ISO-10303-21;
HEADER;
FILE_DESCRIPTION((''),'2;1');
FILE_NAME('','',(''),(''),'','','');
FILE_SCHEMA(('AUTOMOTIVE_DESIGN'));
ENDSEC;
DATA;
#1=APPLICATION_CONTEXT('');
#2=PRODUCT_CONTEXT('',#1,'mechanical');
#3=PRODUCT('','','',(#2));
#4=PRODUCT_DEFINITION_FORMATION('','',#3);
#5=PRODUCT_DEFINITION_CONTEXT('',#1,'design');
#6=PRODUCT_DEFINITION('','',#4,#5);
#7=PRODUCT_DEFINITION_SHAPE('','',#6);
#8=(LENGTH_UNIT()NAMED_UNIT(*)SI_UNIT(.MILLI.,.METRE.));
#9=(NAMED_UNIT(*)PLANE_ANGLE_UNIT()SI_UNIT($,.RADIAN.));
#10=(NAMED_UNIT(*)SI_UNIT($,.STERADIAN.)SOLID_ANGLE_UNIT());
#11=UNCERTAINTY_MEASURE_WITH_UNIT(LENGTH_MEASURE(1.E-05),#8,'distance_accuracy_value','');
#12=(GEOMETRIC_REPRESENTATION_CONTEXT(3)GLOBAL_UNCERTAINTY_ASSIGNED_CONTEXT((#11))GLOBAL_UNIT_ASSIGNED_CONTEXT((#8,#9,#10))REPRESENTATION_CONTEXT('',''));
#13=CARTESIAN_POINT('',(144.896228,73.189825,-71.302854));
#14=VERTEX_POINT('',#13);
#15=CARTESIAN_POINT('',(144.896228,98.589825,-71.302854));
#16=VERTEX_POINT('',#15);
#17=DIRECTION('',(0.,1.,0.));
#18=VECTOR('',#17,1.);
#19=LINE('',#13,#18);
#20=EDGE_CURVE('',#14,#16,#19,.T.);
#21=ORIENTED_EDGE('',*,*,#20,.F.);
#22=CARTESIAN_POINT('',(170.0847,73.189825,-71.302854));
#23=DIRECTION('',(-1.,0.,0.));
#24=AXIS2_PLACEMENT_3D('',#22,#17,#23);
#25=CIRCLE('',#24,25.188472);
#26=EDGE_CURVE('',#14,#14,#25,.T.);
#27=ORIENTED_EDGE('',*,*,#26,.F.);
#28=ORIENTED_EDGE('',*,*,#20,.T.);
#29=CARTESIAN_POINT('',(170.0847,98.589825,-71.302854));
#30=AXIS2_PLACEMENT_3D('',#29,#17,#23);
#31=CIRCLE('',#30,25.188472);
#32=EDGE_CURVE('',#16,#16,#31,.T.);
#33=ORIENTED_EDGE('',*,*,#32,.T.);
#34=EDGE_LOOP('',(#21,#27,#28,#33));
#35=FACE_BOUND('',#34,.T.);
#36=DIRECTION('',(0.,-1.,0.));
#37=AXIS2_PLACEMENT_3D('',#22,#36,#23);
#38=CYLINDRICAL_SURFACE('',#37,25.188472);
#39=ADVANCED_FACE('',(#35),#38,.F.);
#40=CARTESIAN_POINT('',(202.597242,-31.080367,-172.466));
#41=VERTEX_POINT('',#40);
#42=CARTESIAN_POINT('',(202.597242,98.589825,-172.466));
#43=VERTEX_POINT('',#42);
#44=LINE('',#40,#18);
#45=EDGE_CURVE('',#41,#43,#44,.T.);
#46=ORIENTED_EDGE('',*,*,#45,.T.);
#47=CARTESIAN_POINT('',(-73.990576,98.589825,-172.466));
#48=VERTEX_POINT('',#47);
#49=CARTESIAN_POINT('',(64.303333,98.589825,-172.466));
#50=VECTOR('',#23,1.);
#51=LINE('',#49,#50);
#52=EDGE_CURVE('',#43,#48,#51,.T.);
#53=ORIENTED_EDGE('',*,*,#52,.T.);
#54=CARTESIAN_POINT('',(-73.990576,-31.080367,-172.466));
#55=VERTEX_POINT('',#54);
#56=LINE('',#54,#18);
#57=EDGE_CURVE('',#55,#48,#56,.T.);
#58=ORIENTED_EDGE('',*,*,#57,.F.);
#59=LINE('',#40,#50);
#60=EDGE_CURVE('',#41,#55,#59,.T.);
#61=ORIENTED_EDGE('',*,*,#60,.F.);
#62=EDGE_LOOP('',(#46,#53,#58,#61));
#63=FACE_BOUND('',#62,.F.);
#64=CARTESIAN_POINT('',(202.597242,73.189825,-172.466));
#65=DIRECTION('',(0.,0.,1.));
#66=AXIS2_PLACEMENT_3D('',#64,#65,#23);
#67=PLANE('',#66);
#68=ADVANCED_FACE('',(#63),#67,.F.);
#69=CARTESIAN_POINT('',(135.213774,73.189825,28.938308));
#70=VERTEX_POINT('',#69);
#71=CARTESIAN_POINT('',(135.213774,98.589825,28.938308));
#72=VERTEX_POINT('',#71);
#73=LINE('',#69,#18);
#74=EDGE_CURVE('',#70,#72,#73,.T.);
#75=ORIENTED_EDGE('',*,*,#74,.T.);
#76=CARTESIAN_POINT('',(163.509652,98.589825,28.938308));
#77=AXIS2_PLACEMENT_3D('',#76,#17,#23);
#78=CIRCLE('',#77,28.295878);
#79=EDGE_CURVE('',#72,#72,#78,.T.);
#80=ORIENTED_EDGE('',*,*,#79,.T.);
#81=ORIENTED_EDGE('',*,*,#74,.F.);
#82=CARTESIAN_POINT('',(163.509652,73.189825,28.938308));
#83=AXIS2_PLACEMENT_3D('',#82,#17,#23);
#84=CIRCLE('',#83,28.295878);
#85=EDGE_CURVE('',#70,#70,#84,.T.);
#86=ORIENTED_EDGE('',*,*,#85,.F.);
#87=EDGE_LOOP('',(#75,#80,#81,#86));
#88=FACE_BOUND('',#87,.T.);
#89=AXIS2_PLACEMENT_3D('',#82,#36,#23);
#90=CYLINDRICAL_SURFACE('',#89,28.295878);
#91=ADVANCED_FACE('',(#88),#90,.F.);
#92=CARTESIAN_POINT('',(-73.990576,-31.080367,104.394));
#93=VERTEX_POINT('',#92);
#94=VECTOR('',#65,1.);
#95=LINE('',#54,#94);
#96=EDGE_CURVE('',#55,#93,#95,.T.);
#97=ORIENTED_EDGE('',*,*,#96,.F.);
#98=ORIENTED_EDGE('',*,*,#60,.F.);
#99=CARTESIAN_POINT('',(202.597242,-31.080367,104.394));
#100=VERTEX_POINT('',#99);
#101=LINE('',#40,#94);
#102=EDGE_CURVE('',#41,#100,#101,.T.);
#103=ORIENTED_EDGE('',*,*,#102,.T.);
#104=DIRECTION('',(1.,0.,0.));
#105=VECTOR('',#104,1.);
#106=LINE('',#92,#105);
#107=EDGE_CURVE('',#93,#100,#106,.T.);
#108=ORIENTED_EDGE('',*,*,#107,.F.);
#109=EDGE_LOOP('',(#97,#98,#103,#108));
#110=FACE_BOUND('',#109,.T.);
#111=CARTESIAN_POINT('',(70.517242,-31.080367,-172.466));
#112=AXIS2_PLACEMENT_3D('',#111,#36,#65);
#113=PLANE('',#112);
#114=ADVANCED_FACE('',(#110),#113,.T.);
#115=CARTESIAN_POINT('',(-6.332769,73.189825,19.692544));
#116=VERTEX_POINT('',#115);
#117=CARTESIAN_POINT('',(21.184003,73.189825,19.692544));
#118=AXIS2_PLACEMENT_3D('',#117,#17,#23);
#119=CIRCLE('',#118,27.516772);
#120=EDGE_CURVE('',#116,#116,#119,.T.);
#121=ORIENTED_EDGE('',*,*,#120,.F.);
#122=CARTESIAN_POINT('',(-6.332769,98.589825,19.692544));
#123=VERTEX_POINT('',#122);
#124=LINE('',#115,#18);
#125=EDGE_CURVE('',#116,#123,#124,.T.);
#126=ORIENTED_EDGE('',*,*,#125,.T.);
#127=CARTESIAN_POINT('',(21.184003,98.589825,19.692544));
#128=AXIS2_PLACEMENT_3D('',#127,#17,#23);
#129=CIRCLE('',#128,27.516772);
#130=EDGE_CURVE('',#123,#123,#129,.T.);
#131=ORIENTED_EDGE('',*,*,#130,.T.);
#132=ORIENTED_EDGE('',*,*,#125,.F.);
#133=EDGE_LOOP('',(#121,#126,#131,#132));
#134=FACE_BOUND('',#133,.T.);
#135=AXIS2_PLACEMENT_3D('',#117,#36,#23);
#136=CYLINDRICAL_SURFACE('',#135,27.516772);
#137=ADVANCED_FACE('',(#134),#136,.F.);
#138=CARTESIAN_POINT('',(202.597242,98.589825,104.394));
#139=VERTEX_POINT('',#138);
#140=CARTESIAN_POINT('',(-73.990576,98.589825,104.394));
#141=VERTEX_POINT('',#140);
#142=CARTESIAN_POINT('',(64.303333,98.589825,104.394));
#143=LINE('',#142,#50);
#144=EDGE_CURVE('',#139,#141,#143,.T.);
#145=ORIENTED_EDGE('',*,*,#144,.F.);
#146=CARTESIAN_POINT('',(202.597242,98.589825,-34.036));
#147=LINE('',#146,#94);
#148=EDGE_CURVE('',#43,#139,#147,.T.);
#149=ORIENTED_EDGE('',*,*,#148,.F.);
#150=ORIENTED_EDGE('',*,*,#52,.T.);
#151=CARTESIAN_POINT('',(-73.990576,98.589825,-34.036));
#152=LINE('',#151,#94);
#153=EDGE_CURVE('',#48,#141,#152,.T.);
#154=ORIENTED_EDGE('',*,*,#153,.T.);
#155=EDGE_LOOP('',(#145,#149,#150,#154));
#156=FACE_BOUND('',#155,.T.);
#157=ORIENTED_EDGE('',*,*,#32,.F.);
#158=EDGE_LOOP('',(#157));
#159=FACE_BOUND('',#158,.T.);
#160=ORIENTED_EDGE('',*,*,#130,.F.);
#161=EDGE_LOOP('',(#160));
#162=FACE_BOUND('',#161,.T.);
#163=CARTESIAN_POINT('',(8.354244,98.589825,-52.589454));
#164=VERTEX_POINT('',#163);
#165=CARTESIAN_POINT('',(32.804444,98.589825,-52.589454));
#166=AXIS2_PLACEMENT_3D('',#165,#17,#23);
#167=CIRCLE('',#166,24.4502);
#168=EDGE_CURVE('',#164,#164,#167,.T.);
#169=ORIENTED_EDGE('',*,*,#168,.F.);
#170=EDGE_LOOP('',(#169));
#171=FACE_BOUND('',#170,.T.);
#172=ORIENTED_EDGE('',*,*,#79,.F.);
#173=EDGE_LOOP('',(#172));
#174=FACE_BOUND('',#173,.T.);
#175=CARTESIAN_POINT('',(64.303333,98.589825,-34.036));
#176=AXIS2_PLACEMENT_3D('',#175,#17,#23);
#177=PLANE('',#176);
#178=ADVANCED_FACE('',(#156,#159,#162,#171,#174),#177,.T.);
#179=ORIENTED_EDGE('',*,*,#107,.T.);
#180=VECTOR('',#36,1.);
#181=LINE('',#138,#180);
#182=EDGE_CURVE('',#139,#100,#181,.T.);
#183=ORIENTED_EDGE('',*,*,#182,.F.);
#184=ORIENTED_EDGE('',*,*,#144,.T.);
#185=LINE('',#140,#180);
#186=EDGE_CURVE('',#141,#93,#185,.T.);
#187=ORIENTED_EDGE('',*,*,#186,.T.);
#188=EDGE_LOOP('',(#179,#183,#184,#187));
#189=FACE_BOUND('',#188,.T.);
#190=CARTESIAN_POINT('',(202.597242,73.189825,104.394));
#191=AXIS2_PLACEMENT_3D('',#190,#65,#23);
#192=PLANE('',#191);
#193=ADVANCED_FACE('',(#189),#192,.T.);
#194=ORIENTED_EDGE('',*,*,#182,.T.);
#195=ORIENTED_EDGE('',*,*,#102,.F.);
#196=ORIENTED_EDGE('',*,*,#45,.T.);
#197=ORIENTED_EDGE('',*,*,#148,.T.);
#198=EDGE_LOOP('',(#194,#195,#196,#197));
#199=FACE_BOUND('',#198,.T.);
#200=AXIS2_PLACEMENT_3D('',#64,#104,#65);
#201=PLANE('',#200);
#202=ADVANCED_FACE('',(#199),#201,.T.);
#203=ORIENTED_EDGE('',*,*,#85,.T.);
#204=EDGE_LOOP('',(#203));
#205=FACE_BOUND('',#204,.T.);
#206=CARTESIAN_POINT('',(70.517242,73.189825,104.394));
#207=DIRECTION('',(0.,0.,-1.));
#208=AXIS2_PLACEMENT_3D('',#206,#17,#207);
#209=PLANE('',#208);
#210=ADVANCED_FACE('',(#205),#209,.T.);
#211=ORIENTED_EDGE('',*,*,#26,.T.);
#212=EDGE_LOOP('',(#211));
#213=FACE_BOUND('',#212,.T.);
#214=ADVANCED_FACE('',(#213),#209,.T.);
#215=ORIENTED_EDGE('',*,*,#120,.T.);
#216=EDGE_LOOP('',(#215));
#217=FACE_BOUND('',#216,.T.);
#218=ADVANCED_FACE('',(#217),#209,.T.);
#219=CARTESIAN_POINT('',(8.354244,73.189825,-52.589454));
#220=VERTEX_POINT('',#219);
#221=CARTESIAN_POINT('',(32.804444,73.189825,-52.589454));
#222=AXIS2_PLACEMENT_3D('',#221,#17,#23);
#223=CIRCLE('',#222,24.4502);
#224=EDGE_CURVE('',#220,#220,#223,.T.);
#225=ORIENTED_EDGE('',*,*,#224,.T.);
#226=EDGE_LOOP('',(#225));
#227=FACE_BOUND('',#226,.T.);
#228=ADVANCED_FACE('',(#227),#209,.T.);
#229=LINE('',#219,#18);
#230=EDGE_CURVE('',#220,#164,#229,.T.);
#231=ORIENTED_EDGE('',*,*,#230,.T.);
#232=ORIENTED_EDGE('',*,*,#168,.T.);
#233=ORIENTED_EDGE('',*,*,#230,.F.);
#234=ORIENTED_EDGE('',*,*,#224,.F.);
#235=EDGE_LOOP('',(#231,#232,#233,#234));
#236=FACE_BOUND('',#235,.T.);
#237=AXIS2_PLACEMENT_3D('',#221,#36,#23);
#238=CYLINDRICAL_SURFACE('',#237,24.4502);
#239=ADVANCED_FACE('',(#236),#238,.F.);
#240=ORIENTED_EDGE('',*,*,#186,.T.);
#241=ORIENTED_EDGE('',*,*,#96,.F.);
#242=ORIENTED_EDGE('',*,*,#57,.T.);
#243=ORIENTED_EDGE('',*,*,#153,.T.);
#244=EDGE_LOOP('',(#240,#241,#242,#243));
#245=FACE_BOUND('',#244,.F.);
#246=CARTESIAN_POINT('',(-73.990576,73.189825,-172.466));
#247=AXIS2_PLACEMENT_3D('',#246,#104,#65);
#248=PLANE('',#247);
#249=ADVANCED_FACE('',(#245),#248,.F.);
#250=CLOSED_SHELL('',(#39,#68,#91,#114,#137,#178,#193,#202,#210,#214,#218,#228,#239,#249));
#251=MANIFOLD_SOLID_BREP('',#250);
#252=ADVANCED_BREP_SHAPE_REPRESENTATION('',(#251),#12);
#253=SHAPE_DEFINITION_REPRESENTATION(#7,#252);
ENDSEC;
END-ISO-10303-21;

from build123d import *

# Parameters (mm, degrees)
F0_W     = 144.507817924
F0_H     = 104.2701918632
F1_DEPTH = 104.394
F2_DEPTH = 276.86
F3_DEPTH = 132.08
F4_W     = 276.587817924
F4_H     = 276.86
F4_R     = 25.1884721884
F4_R_2   = 24.4502004905
F4_R_3   = 28.2958784433
F4_R_4   = 27.5167719558
F5_DEPTH = 25.4


with BuildPart() as f1:
    # F0 (on Top) → F1 (new body)
    with BuildSketch(Plane.XY):
        with Locations((-1.7366670072, 21.054728888)):
            Rectangle(F0_W, F0_H)
    extrude(amount=F1_DEPTH)

    # F2 (add): a face of the model
    f2_faces = [f1.faces().sort_by_distance(p)[0] for p in [
        (-1.7366670072, 21.054728888, 104.394),
    ]]
    extrude(f2_faces, amount=-F2_DEPTH)

    # F3 (add): a face of the model
    f3_faces = [f1.faces().sort_by_distance(p)[0] for p in [
        (70.5172419548, 21.054728888, -34.036),
    ]]
    extrude(f3_faces, amount=F3_DEPTH)

    # F4 (on face) → F5 (join)
    with BuildSketch(Plane(origin=(0, 73.1898248196, 0), x_dir=(-1, 0, 0), z_dir=(0, 1, 0))):
        with Locations((-64.3033329928, -34.036)):
            Rectangle(F4_W, F4_H)
        with Locations((-170.0846999884, -71.3028535247)):
            Circle(F4_R, mode=Mode.SUBTRACT)
        with Locations((-32.8044444323, -52.5894537568)):
            Circle(F4_R_2, mode=Mode.SUBTRACT)
        with Locations((-163.5096520185, 28.9383083582)):
            Circle(F4_R_3, mode=Mode.SUBTRACT)
        with Locations((-21.1840029806, 19.6925438941)):
            Circle(F4_R_4, mode=Mode.SUBTRACT)
    extrude(amount=F5_DEPTH)


solid = f1.part
